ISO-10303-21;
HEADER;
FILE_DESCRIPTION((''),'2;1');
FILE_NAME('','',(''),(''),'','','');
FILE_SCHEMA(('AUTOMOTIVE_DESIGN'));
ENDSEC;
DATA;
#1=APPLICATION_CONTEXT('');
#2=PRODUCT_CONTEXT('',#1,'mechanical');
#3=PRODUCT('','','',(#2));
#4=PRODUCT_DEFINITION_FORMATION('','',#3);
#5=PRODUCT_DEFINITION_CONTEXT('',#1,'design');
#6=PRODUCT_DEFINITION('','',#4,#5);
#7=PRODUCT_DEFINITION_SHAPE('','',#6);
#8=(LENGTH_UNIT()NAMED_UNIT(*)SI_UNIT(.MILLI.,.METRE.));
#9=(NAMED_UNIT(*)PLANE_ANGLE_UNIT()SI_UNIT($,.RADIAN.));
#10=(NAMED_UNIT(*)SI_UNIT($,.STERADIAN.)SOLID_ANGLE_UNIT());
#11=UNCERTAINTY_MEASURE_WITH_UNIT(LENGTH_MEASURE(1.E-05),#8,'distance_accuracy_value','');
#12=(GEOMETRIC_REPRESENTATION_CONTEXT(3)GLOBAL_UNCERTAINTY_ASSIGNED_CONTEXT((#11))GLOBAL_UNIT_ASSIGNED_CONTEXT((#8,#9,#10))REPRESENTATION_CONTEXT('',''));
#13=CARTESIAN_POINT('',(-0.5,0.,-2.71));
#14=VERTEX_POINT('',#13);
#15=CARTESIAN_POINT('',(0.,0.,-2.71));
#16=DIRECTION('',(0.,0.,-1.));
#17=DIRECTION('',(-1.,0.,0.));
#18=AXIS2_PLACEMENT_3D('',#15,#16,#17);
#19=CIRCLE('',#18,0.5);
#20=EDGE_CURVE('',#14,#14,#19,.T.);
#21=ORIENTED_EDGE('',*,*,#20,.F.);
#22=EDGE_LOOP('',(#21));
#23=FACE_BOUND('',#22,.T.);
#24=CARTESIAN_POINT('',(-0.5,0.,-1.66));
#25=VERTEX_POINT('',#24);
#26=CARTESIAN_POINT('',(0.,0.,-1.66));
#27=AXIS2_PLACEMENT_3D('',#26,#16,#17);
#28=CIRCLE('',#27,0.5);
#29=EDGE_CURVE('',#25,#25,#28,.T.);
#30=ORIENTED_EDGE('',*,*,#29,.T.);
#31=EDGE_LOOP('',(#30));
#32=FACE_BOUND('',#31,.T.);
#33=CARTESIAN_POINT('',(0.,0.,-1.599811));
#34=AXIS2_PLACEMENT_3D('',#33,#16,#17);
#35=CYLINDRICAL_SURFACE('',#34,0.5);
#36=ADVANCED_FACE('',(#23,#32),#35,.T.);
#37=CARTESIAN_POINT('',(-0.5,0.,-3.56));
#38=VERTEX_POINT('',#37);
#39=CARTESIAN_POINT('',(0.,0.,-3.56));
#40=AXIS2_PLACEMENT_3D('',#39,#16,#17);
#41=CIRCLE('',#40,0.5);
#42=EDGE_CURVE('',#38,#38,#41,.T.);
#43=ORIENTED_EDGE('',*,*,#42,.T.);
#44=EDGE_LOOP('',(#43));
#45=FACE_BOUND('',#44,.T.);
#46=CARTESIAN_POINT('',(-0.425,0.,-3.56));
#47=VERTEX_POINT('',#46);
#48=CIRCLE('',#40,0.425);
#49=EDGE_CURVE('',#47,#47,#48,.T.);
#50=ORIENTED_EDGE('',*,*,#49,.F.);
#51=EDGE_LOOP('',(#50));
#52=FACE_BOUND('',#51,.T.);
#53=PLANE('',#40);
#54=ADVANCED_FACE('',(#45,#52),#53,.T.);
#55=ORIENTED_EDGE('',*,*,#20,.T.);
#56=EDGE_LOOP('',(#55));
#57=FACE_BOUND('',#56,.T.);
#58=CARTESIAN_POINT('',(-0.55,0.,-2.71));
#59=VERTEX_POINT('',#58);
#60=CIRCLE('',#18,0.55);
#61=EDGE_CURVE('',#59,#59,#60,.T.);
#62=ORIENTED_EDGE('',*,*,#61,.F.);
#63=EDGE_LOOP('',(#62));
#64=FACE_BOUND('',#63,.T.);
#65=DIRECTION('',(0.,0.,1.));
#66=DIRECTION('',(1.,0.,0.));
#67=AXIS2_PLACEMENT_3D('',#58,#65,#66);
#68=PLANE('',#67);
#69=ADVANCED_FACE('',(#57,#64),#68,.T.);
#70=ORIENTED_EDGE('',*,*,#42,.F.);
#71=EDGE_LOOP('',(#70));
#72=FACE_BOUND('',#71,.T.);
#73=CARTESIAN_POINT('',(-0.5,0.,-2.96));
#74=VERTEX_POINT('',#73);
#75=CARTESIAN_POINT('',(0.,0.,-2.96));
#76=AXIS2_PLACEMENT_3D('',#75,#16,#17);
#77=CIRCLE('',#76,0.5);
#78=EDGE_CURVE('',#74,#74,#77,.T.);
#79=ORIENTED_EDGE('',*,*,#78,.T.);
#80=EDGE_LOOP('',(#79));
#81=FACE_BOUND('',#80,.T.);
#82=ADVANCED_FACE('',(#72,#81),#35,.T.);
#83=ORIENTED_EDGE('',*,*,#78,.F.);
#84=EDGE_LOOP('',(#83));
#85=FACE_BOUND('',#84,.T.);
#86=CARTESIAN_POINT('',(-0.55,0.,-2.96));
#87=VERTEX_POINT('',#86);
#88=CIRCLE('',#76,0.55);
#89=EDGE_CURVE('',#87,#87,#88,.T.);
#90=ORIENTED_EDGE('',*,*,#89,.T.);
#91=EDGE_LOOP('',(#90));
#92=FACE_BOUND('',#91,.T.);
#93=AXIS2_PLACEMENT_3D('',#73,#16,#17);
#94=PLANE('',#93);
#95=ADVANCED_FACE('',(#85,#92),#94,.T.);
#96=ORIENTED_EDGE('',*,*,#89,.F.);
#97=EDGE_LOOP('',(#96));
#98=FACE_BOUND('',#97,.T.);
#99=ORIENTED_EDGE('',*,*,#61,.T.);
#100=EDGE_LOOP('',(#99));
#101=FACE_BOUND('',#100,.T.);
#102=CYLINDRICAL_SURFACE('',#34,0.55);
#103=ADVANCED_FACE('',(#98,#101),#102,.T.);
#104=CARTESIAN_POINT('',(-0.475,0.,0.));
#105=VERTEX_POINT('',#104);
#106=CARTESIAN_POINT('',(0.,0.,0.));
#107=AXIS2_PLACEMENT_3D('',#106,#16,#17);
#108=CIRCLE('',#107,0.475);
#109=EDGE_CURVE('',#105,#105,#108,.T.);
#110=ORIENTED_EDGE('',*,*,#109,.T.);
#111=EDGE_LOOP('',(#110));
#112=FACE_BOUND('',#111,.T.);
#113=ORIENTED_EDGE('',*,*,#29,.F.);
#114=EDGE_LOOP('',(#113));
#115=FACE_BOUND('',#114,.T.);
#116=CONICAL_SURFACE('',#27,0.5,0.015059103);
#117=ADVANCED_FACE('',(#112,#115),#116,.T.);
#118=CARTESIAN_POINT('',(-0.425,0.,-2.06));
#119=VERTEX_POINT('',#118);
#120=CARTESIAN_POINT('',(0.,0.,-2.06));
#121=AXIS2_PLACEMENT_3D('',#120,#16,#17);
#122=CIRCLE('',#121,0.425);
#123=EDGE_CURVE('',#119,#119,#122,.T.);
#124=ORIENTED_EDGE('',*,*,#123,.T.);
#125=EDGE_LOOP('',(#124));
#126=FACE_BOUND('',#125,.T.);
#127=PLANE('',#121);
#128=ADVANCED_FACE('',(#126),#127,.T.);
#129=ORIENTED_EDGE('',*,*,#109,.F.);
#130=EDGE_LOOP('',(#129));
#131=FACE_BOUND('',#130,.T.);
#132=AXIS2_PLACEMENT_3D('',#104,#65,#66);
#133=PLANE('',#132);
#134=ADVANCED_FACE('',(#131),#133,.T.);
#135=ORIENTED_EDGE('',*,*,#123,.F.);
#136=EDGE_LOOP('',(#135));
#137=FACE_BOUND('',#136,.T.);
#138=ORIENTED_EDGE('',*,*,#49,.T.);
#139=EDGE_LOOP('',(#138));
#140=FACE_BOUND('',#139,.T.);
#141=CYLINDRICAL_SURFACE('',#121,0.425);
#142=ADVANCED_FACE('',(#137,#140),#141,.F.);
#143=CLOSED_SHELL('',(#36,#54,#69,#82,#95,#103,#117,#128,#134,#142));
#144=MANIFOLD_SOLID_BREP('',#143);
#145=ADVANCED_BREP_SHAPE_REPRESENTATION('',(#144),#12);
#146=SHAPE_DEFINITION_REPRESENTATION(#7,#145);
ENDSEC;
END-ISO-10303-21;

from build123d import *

# Parameters (mm, degrees)
SKETCH2_R          = 0.425
CUT_EXTRUDE1_DEPTH = 1.5


with BuildPart() as part:
    # Sketch1 → Revolve1 (revolve)
    with BuildSketch(Plane(origin=(0, 0, 0), x_dir=(1, 0, 0), z_dir=(0, 1, 0))):
        Polygon((0, 3.56), (-0.5, 3.56), (-0.5, 2.96), (-0.55, 2.96), (-0.55, 2.71), (-0.5, 2.71), (-0.5, 1.66), (-0.475, 0), (0, 0), align=None)
    revolve(axis=Axis((0, 0, -1.599810873), (0, 0, 1)))

    # Sketch2 → Cut-Extrude1 (cut)
    with BuildSketch(Plane(origin=(0, 0, -3.56), x_dir=(-1, 0, 0), z_dir=(0, 0, -1))):
        Circle(SKETCH2_R)
    extrude(amount=-CUT_EXTRUDE1_DEPTH, mode=Mode.SUBTRACT)


solid = part.part
